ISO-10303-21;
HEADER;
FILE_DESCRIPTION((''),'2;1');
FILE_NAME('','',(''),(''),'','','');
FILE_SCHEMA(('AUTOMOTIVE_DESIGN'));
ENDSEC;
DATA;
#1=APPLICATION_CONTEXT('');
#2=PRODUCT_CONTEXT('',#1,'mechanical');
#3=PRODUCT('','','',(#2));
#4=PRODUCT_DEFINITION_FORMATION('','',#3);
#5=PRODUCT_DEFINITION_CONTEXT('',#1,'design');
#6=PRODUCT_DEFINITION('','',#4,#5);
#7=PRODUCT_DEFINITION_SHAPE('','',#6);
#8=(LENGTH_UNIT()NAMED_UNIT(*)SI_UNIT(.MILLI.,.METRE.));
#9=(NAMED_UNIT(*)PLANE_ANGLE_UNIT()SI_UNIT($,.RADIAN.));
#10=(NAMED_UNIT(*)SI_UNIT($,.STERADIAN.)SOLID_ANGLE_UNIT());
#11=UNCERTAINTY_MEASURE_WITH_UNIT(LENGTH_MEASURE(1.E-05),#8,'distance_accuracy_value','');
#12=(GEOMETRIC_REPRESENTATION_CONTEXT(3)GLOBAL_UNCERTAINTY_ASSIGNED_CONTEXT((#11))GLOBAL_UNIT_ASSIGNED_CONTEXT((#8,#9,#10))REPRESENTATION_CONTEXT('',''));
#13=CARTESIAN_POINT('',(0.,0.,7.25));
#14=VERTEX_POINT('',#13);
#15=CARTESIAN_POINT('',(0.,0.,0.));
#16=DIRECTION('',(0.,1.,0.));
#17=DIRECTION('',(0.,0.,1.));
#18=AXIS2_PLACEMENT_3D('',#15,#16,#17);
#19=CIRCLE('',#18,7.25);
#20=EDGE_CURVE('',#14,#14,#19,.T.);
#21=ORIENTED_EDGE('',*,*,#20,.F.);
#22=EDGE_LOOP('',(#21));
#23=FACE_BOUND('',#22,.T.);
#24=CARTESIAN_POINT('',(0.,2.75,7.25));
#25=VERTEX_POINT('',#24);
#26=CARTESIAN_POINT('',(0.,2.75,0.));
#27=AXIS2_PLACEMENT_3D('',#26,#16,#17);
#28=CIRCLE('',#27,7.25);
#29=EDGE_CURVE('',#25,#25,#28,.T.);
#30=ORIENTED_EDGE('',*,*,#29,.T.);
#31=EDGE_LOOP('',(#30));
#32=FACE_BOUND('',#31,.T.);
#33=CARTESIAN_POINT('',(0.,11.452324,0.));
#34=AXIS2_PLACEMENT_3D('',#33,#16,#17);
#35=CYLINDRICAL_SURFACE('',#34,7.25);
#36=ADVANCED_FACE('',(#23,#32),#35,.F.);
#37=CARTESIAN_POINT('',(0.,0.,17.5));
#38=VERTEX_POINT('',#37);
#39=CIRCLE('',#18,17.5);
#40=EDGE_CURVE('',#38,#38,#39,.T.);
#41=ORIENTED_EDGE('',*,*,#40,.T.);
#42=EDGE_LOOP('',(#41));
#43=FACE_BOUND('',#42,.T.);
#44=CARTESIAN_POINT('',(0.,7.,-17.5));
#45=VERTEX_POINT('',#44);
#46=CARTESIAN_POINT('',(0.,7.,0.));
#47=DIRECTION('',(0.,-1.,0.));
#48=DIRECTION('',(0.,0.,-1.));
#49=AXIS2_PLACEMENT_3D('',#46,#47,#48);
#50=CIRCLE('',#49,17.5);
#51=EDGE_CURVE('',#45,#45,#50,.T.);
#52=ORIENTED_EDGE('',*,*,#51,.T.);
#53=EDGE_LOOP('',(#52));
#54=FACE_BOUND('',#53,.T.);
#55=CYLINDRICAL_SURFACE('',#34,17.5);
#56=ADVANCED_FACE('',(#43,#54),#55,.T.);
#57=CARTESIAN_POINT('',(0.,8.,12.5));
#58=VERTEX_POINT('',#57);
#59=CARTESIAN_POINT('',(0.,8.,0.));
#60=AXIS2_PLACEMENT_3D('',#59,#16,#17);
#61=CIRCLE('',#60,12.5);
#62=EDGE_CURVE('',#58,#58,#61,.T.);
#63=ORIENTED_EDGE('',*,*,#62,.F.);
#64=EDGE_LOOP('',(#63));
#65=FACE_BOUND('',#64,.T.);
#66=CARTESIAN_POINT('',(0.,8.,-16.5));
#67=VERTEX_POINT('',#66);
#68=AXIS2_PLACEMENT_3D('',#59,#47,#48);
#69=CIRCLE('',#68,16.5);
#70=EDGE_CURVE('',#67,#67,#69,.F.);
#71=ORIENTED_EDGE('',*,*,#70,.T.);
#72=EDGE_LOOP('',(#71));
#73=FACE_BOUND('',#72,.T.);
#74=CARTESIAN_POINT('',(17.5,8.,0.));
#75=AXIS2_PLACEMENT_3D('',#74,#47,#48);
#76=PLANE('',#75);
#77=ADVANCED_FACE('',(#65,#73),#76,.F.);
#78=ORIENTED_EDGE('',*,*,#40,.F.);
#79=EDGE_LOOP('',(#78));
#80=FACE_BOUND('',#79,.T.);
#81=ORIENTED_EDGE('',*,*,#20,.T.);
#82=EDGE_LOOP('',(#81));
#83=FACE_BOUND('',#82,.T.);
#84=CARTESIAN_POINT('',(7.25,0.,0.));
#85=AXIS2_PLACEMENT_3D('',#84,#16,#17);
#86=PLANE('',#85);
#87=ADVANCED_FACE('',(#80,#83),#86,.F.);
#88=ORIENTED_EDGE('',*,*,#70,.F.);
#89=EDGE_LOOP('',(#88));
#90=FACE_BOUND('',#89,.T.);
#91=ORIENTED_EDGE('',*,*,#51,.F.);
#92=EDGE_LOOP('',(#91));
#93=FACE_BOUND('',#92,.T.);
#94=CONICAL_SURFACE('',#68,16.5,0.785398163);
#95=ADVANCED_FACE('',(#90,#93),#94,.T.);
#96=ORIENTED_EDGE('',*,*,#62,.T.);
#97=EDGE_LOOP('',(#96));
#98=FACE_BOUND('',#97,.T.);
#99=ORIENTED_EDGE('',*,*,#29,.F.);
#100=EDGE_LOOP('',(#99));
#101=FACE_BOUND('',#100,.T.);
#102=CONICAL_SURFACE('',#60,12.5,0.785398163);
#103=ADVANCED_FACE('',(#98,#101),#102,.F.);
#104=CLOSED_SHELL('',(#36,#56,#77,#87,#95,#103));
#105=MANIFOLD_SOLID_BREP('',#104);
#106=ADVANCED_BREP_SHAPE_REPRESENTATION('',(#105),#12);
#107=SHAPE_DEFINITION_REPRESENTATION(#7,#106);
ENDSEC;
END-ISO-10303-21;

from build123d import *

# Parameters (mm, degrees)
CHAMFER1_SIZE = 1


with BuildPart() as part:
    # Sketch2 → Revolve1 (revolve)
    with BuildSketch(Plane.XY, mode=Mode.PRIVATE) as revolve1_sk:
        Polygon((12.5, 8), (7.25, 2.75), (7.25, 0), (17.5, 0), (17.5, 8), align=None)
    revolve(revolve1_sk.sketch.rotate(Axis((0, 11.452324261, 0), (0, -1, 0)), 90), axis=Axis((0, 11.452324261, 0), (0, -1, 0)))

    # Chamfer1
    chamfer1_edges = [part.edges().sort_by_distance(p)[0] for p in [
        (0, 8, -17.5),
    ]]
    chamfer(chamfer1_edges, length=CHAMFER1_SIZE)


solid = part.part
